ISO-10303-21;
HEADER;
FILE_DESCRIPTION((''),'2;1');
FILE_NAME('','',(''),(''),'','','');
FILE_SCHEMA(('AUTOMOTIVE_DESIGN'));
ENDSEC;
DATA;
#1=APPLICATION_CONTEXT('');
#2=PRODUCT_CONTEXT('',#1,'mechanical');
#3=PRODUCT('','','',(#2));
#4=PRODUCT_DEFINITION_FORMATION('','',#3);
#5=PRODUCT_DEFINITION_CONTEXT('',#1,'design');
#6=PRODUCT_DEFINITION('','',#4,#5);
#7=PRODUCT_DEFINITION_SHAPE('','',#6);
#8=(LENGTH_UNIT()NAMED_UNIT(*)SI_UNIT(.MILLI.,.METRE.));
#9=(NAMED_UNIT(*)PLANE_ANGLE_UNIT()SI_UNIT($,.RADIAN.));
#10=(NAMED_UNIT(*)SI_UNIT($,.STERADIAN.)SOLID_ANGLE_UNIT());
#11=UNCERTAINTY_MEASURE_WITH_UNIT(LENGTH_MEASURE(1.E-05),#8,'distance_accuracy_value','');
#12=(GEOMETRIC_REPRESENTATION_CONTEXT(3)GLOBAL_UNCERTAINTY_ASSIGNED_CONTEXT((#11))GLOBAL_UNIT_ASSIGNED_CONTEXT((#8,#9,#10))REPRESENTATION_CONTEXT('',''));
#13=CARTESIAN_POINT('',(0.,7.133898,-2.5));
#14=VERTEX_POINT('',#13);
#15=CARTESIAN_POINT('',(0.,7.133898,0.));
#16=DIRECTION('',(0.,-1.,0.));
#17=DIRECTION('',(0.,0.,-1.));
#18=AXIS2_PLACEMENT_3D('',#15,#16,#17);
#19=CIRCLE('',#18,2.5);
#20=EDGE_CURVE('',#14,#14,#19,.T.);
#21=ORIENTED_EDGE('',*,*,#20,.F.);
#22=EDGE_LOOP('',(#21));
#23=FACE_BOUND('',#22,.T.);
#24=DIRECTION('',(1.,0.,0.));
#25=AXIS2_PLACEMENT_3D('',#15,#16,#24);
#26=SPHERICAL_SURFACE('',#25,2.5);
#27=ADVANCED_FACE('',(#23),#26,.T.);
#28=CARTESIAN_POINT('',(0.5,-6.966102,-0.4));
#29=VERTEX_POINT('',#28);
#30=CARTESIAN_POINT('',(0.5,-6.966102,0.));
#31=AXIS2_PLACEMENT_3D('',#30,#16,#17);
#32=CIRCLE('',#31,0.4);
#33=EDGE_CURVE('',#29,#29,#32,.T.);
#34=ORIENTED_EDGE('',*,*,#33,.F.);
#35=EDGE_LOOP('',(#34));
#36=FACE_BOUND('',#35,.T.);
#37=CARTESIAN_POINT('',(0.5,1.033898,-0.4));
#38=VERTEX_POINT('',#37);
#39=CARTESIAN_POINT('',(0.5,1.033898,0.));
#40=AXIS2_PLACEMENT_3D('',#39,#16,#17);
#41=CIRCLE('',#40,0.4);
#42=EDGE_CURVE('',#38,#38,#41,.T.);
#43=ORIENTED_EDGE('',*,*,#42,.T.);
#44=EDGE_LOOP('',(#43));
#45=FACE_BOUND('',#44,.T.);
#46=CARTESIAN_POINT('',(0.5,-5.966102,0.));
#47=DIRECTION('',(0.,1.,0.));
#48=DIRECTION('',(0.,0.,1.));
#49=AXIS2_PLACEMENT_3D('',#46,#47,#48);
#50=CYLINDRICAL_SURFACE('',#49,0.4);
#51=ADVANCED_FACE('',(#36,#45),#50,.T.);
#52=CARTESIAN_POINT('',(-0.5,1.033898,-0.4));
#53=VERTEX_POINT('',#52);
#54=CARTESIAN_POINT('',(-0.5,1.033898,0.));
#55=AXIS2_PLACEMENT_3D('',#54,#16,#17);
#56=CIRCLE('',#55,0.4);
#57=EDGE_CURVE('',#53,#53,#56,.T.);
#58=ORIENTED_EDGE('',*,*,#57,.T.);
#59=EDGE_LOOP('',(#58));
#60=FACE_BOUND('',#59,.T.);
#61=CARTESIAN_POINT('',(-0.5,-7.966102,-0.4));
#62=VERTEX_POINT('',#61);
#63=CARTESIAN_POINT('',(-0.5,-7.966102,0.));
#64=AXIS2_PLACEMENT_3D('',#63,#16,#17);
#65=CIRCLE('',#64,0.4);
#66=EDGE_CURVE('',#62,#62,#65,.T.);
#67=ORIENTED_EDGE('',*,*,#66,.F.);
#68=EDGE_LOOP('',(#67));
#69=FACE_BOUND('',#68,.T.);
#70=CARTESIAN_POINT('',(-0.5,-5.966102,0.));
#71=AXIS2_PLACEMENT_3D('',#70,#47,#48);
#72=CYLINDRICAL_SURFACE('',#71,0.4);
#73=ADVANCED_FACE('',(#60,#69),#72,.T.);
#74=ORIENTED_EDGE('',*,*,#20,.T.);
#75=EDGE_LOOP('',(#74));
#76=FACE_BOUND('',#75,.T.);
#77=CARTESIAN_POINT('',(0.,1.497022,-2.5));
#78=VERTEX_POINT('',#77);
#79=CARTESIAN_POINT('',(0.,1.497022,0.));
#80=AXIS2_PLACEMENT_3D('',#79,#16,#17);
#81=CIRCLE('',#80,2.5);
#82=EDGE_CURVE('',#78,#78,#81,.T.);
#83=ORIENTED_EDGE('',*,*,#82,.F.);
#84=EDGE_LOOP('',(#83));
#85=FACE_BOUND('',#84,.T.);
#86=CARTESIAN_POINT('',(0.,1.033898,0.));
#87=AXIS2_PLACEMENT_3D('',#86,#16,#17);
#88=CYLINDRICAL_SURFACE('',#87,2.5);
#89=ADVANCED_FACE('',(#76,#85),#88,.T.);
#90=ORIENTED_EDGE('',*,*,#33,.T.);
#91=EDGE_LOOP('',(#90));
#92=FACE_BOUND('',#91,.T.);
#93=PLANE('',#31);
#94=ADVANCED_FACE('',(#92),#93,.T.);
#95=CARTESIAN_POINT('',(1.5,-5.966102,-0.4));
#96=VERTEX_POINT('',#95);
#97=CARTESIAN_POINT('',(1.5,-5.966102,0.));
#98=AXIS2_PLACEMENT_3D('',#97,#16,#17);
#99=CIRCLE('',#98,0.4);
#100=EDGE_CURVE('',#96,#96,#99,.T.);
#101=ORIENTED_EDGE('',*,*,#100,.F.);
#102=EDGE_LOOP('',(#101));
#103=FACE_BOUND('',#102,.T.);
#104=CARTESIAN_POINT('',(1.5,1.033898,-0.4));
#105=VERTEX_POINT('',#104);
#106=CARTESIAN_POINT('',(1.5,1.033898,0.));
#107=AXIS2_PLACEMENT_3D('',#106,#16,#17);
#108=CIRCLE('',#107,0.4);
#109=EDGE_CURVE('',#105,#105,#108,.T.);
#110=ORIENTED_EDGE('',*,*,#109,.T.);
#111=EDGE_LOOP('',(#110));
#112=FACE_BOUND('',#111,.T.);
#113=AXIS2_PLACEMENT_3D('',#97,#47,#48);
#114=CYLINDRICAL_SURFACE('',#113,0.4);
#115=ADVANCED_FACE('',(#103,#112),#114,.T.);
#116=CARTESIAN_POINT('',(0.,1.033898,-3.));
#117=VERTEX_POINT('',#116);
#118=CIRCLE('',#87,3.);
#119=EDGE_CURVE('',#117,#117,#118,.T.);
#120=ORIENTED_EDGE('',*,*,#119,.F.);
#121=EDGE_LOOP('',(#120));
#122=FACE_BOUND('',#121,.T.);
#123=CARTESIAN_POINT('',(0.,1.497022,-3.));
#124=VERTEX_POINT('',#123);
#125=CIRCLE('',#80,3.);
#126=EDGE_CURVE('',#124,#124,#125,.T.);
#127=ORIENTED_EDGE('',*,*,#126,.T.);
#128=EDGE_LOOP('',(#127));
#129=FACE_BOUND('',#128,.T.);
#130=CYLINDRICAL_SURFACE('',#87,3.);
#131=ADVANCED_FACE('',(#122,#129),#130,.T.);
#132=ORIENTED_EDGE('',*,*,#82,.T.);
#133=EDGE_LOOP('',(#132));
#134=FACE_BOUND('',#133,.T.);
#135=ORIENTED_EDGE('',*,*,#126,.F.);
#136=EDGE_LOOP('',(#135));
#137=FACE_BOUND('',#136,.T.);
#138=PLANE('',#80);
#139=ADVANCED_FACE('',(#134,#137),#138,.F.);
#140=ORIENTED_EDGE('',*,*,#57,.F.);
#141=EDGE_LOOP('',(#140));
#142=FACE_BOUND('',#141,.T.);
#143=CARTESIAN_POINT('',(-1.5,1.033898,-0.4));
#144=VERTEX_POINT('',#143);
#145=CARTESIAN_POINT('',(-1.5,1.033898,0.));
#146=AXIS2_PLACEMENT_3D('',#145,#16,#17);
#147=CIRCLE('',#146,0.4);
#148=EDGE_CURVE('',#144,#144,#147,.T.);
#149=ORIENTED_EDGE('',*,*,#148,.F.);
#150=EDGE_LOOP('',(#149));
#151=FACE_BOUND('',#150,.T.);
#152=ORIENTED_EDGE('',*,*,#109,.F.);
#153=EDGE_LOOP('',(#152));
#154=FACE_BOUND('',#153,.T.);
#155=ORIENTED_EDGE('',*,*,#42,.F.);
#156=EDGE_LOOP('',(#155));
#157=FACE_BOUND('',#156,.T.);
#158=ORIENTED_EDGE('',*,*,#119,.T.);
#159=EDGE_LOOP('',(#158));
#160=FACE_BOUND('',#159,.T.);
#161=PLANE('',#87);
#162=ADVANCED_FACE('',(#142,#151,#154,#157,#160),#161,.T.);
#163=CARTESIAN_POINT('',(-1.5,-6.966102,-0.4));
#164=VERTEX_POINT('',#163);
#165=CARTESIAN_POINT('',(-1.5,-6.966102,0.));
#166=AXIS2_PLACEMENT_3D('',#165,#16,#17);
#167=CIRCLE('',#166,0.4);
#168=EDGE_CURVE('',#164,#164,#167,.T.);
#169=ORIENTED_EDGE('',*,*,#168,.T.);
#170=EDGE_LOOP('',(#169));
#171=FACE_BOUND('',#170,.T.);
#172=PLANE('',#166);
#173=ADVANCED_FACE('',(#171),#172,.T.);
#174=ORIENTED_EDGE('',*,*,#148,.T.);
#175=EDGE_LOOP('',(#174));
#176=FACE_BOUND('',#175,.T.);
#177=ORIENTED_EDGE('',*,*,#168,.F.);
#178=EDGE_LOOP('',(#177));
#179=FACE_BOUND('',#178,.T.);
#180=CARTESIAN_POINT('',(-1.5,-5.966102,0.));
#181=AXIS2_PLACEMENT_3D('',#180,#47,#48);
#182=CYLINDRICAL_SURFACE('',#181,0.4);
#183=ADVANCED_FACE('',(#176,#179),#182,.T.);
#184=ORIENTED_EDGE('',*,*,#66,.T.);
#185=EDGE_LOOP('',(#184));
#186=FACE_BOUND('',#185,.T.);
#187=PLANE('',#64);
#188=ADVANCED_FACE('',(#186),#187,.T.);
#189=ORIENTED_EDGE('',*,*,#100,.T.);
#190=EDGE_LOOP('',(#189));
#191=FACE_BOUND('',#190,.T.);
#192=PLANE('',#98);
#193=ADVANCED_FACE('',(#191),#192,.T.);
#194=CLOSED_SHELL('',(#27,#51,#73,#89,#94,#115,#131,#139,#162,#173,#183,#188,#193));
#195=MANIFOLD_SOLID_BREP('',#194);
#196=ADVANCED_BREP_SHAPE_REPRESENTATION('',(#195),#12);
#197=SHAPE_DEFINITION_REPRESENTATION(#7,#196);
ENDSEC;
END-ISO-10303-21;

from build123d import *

# Parameters (mm, degrees)
ESBO_O1_W                = 2.5
ESBO_O1_H                = 0.463123709
ESBO_O1_W_2              = 0.5
ESBO_O2_R                = 0.4
RESSALTO_EXTRUS_O1_DEPTH = 7
ESBO_O3_R                = 0.4
RESSALTO_EXTRUS_O2_DEPTH = 1
ESBO_O4_R                = 0.4
RESSALTO_EXTRUS_O3_DEPTH = 2


with BuildPart() as part:
    # Esboço1 → Revolução1 (revolve)
    with BuildSketch(Plane.XY):
        with BuildLine():
            Line((0, 7.133898305), (0, 4.633898305))
            ThreePointArc((0, 4.633898305), (1.767766953, 5.366131352), (2.5, 7.133898305))
            Line((2.5, 7.133898305), (0, 7.133898305))
        make_face()
        with BuildLine():
            Line((0, 9.633898305), (0, 7.133898305))
            Line((0, 7.133898305), (2.5, 7.133898305))
            ThreePointArc((2.5, 7.133898305), (1.767766953, 8.901665258), (0, 9.633898305))
        make_face()
        with BuildLine():
            Line((0, 7.133898305), (0, 4.633898305))
            ThreePointArc((0, 4.633898305), (1.767766953, 5.366131352), (2.5, 7.133898305))
            Line((2.5, 7.133898305), (0, 7.133898305))
        make_face()
        with BuildLine():
            Line((0, 9.633898305), (0, 7.133898305))
            Line((0, 7.133898305), (2.5, 7.133898305))
            ThreePointArc((2.5, 7.133898305), (1.767766953, 8.901665258), (0, 9.633898305))
        make_face()
        with BuildLine():
            Line((0, 4.633898305), (0, 1.497022014))
            Line((0, 1.497022014), (2.5, 1.497022014))
            Line((2.5, 1.497022014), (2.5, 7.133898305))
            ThreePointArc((2.5, 7.133898305), (1.767766953, 5.366131352), (0, 4.633898305))
        make_face()
        with Locations((1.25, 1.26546016)):
            Rectangle(ESBO_O1_W, ESBO_O1_H)
        with Locations((2.75, 1.26546016)):
            Rectangle(ESBO_O1_W_2, ESBO_O1_H)
    revolve(axis=Axis((0, 1.033898305, 0), (0, 1, 0)))

    # Esboço2 → Ressalto-extrusão1 (add)
    with BuildSketch(Plane.XZ.offset(-1.033898305)):
        with Locations((-1.5, 0)):
            Circle(ESBO_O2_R)
        with Locations((-0.5, 0)):
            Circle(ESBO_O2_R)
        with Locations((0.5, 0)):
            Circle(ESBO_O2_R)
        with Locations((1.5, 0)):
            Circle(ESBO_O2_R)
    extrude(amount=RESSALTO_EXTRUS_O1_DEPTH)

    # Esboço3 → Ressalto-extrusão2 (add)
    with BuildSketch(Plane.XZ.offset(5.966101695)):
        with Locations((0.5, 0)):
            Circle(ESBO_O3_R)
        with Locations((-1.5, 0)):
            Circle(ESBO_O3_R)
    extrude(amount=RESSALTO_EXTRUS_O2_DEPTH)

    # Esboço4 → Ressalto-extrusão3 (add)
    with BuildSketch(Plane.XZ.offset(5.966101695)):
        with Locations((-0.5, 0)):
            Circle(ESBO_O4_R)
    extrude(amount=RESSALTO_EXTRUS_O3_DEPTH)


solid = part.part
